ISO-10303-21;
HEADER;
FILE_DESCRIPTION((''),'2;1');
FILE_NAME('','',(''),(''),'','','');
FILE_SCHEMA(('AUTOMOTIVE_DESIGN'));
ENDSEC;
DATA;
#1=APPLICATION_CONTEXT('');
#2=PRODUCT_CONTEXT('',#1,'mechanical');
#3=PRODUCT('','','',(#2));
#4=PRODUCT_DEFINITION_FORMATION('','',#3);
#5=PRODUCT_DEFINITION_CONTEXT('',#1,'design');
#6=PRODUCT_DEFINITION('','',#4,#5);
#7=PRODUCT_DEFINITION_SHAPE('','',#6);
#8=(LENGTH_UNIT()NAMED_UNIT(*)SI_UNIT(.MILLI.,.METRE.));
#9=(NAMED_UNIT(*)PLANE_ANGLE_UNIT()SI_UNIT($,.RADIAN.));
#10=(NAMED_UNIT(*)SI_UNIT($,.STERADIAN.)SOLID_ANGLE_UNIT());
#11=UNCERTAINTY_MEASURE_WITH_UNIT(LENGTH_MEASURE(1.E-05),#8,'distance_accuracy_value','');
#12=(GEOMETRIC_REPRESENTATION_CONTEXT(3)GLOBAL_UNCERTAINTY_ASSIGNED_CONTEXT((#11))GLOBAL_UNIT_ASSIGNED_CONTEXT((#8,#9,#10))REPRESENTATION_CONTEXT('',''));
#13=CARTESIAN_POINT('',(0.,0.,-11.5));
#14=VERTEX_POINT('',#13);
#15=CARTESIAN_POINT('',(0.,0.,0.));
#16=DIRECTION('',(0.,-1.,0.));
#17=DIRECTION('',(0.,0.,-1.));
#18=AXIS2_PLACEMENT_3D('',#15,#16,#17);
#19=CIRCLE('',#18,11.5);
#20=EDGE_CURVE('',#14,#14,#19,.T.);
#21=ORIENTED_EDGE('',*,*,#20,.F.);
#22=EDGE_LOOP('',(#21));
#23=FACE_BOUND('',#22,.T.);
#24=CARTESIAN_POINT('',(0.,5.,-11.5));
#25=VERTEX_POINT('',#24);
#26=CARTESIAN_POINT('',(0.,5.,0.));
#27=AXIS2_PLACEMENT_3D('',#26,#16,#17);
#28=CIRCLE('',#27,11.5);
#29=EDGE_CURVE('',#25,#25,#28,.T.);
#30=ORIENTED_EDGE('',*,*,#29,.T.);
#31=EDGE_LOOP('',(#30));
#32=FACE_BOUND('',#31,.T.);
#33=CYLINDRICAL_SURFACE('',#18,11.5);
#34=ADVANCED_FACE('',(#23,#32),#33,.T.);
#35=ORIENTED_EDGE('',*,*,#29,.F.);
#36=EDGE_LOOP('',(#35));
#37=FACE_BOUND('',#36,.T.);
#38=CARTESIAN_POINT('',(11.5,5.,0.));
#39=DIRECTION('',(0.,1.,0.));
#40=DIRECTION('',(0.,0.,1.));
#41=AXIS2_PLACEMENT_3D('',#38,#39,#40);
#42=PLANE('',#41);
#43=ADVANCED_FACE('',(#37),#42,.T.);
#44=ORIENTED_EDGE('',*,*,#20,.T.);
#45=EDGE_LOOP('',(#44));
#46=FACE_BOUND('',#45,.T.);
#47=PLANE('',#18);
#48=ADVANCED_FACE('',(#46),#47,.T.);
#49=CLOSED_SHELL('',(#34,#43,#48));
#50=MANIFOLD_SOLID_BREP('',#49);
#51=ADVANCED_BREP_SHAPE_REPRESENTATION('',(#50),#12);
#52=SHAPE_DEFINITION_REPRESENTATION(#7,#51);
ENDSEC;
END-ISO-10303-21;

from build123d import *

# Parameters (mm, degrees)
SKETCH_1_W = 11.5
SKETCH_1_H = 5


with BuildPart() as part:
    # 草图1 → Revolve 2 (revolve)
    with BuildSketch(Plane.XY, mode=Mode.PRIVATE) as revolve_2_sk:
        with Locations((5.75, 2.5)):
            Rectangle(SKETCH_1_W, SKETCH_1_H)
    revolve(revolve_2_sk.sketch.rotate(Axis((0, 0, 0), (0, 1, 0)), 90), axis=Axis((0, 0, 0), (0, 1, 0)))


solid = part.part
